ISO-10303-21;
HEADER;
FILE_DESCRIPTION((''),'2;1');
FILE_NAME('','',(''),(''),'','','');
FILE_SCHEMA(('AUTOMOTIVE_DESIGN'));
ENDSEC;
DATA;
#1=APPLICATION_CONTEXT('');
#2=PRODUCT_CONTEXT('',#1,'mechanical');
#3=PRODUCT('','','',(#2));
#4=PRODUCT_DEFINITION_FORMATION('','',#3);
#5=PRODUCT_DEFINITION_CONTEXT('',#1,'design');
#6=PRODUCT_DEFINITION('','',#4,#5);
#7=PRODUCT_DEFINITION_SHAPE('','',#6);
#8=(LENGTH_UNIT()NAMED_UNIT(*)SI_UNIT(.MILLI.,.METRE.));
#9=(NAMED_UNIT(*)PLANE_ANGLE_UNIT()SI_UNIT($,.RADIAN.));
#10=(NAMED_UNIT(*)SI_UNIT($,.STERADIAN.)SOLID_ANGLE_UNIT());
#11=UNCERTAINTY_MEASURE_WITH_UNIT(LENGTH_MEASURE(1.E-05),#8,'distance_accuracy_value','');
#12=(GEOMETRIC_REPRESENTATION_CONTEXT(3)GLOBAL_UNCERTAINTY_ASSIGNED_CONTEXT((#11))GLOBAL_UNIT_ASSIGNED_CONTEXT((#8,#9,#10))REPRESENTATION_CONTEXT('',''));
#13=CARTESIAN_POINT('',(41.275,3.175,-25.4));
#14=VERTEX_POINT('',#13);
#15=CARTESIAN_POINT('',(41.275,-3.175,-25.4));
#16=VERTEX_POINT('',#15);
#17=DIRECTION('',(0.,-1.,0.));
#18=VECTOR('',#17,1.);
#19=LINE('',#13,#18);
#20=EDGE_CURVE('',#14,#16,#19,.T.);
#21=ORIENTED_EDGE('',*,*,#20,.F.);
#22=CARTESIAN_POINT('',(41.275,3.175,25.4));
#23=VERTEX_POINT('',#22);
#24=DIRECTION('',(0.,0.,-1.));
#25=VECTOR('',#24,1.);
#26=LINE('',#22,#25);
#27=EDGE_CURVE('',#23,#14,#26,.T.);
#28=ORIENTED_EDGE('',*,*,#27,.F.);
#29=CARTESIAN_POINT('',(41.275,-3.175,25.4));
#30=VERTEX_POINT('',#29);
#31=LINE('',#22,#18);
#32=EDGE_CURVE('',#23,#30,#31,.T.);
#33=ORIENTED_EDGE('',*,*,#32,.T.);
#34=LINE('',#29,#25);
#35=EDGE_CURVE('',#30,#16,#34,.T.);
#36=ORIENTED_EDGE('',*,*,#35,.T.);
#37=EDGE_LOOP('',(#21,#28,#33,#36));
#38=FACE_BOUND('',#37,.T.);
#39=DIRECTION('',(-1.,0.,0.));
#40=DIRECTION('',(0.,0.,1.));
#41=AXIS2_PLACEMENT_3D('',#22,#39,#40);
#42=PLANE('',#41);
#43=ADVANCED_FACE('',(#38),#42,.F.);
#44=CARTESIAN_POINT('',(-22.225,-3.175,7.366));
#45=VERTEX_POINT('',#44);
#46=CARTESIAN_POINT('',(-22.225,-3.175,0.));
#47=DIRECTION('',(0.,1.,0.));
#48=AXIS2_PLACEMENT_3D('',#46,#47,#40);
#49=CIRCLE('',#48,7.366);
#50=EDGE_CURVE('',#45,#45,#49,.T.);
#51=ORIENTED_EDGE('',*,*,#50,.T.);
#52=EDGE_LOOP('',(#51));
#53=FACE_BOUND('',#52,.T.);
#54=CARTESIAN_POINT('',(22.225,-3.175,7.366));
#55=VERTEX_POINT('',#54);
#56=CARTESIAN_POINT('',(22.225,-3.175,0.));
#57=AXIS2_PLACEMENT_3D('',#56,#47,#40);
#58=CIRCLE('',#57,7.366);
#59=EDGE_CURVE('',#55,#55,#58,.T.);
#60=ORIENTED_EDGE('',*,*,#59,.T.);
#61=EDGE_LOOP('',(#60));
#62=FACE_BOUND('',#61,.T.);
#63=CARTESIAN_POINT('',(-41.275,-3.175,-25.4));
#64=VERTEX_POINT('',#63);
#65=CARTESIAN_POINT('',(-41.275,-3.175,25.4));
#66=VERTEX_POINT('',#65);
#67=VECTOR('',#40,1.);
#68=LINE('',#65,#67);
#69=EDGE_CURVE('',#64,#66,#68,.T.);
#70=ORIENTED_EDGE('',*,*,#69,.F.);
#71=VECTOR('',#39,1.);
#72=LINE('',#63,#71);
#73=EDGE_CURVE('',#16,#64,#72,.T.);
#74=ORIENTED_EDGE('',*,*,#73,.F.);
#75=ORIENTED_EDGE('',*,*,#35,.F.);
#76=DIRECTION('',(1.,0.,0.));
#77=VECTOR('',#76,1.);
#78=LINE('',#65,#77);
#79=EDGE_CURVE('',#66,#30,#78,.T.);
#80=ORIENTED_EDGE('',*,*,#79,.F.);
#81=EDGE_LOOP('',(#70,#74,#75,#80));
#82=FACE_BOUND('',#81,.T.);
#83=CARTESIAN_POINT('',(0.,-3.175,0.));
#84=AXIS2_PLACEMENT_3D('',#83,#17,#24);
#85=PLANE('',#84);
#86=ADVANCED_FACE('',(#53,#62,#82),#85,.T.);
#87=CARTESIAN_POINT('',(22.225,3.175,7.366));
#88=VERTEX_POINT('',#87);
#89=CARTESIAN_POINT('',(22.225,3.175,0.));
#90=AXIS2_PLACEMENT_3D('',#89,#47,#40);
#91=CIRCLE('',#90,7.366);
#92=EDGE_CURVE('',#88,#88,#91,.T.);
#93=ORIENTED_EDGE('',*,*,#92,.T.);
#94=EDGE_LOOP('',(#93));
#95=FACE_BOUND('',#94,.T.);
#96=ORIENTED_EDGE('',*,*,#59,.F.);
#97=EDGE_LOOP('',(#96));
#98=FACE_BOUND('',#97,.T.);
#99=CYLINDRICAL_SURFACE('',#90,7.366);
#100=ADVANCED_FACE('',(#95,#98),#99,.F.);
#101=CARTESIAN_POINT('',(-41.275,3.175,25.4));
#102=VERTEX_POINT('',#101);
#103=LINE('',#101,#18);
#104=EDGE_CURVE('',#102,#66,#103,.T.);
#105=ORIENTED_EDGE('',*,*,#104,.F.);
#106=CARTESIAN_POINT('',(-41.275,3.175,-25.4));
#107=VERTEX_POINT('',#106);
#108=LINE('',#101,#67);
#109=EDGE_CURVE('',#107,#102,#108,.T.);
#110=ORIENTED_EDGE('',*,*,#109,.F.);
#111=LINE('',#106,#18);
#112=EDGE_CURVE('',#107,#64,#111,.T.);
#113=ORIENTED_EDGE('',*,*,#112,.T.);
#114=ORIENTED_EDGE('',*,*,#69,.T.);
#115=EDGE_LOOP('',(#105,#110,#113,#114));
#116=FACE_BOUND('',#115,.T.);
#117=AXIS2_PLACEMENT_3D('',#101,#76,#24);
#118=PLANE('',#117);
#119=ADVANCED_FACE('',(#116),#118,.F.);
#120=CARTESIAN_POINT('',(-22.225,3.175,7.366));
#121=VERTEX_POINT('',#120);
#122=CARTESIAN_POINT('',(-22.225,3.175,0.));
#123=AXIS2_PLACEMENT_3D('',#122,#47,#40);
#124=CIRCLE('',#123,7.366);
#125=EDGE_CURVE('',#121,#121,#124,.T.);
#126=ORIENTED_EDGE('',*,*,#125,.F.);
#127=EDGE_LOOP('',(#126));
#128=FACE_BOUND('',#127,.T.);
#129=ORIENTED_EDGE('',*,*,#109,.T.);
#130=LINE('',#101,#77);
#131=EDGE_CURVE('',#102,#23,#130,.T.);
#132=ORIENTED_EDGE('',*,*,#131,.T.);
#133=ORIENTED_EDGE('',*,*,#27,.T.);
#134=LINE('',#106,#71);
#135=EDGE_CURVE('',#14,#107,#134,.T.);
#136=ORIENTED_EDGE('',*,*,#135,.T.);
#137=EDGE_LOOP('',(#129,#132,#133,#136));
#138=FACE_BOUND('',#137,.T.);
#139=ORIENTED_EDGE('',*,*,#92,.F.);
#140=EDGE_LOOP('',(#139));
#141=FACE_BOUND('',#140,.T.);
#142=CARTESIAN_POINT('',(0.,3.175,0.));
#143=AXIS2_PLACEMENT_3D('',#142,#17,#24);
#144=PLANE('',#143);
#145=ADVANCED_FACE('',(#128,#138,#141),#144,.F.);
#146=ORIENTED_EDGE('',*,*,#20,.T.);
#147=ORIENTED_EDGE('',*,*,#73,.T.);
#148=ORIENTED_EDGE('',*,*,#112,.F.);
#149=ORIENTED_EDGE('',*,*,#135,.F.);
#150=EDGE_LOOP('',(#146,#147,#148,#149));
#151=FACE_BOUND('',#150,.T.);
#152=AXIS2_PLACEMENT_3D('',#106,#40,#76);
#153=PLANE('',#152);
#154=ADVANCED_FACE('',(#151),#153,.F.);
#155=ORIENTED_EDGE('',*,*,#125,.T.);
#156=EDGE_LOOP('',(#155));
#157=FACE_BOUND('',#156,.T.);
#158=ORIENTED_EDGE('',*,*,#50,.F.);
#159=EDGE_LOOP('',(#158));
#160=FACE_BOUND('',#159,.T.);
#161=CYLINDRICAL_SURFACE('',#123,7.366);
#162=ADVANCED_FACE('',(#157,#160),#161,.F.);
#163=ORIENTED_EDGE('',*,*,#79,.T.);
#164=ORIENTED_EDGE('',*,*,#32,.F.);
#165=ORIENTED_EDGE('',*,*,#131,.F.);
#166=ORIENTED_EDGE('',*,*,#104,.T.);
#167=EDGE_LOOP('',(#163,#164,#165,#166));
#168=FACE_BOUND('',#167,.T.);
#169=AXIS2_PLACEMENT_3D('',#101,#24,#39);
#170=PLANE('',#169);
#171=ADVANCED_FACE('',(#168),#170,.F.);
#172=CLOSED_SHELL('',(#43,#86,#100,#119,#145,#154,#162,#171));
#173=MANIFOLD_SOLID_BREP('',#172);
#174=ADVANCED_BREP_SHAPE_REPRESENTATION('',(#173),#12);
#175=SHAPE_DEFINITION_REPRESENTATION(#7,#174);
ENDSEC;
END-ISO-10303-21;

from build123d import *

# Parameters (mm, degrees)
SKETCH2_W                   = 82.55
SKETCH2_H                   = 50.8
BOSS_EXTRUDE1_DEPTH         = 3.175
F_1_2_0_58_DIAMETER_HOLE1_D = 14.732


with BuildPart() as part:
    # Sketch2 → Boss-Extrude1 (new, symmetric)
    with BuildSketch(Plane(origin=(0, 0, 0), x_dir=(1, 0, 0), z_dir=(0, 1, 0))):
        Rectangle(SKETCH2_W, SKETCH2_H)
    extrude(amount=BOSS_EXTRUDE1_DEPTH, both=True)

    # 1/2 (0.58) Diameter Hole1 (through all)
    with Locations(Plane(origin=(0, 3.175, 0), x_dir=(1, 0, 0), z_dir=(0, 1, 0))):
        with Locations((-22.225, 0), (22.225, 0)):
            Hole(F_1_2_0_58_DIAMETER_HOLE1_D / 2)


solid = part.part
